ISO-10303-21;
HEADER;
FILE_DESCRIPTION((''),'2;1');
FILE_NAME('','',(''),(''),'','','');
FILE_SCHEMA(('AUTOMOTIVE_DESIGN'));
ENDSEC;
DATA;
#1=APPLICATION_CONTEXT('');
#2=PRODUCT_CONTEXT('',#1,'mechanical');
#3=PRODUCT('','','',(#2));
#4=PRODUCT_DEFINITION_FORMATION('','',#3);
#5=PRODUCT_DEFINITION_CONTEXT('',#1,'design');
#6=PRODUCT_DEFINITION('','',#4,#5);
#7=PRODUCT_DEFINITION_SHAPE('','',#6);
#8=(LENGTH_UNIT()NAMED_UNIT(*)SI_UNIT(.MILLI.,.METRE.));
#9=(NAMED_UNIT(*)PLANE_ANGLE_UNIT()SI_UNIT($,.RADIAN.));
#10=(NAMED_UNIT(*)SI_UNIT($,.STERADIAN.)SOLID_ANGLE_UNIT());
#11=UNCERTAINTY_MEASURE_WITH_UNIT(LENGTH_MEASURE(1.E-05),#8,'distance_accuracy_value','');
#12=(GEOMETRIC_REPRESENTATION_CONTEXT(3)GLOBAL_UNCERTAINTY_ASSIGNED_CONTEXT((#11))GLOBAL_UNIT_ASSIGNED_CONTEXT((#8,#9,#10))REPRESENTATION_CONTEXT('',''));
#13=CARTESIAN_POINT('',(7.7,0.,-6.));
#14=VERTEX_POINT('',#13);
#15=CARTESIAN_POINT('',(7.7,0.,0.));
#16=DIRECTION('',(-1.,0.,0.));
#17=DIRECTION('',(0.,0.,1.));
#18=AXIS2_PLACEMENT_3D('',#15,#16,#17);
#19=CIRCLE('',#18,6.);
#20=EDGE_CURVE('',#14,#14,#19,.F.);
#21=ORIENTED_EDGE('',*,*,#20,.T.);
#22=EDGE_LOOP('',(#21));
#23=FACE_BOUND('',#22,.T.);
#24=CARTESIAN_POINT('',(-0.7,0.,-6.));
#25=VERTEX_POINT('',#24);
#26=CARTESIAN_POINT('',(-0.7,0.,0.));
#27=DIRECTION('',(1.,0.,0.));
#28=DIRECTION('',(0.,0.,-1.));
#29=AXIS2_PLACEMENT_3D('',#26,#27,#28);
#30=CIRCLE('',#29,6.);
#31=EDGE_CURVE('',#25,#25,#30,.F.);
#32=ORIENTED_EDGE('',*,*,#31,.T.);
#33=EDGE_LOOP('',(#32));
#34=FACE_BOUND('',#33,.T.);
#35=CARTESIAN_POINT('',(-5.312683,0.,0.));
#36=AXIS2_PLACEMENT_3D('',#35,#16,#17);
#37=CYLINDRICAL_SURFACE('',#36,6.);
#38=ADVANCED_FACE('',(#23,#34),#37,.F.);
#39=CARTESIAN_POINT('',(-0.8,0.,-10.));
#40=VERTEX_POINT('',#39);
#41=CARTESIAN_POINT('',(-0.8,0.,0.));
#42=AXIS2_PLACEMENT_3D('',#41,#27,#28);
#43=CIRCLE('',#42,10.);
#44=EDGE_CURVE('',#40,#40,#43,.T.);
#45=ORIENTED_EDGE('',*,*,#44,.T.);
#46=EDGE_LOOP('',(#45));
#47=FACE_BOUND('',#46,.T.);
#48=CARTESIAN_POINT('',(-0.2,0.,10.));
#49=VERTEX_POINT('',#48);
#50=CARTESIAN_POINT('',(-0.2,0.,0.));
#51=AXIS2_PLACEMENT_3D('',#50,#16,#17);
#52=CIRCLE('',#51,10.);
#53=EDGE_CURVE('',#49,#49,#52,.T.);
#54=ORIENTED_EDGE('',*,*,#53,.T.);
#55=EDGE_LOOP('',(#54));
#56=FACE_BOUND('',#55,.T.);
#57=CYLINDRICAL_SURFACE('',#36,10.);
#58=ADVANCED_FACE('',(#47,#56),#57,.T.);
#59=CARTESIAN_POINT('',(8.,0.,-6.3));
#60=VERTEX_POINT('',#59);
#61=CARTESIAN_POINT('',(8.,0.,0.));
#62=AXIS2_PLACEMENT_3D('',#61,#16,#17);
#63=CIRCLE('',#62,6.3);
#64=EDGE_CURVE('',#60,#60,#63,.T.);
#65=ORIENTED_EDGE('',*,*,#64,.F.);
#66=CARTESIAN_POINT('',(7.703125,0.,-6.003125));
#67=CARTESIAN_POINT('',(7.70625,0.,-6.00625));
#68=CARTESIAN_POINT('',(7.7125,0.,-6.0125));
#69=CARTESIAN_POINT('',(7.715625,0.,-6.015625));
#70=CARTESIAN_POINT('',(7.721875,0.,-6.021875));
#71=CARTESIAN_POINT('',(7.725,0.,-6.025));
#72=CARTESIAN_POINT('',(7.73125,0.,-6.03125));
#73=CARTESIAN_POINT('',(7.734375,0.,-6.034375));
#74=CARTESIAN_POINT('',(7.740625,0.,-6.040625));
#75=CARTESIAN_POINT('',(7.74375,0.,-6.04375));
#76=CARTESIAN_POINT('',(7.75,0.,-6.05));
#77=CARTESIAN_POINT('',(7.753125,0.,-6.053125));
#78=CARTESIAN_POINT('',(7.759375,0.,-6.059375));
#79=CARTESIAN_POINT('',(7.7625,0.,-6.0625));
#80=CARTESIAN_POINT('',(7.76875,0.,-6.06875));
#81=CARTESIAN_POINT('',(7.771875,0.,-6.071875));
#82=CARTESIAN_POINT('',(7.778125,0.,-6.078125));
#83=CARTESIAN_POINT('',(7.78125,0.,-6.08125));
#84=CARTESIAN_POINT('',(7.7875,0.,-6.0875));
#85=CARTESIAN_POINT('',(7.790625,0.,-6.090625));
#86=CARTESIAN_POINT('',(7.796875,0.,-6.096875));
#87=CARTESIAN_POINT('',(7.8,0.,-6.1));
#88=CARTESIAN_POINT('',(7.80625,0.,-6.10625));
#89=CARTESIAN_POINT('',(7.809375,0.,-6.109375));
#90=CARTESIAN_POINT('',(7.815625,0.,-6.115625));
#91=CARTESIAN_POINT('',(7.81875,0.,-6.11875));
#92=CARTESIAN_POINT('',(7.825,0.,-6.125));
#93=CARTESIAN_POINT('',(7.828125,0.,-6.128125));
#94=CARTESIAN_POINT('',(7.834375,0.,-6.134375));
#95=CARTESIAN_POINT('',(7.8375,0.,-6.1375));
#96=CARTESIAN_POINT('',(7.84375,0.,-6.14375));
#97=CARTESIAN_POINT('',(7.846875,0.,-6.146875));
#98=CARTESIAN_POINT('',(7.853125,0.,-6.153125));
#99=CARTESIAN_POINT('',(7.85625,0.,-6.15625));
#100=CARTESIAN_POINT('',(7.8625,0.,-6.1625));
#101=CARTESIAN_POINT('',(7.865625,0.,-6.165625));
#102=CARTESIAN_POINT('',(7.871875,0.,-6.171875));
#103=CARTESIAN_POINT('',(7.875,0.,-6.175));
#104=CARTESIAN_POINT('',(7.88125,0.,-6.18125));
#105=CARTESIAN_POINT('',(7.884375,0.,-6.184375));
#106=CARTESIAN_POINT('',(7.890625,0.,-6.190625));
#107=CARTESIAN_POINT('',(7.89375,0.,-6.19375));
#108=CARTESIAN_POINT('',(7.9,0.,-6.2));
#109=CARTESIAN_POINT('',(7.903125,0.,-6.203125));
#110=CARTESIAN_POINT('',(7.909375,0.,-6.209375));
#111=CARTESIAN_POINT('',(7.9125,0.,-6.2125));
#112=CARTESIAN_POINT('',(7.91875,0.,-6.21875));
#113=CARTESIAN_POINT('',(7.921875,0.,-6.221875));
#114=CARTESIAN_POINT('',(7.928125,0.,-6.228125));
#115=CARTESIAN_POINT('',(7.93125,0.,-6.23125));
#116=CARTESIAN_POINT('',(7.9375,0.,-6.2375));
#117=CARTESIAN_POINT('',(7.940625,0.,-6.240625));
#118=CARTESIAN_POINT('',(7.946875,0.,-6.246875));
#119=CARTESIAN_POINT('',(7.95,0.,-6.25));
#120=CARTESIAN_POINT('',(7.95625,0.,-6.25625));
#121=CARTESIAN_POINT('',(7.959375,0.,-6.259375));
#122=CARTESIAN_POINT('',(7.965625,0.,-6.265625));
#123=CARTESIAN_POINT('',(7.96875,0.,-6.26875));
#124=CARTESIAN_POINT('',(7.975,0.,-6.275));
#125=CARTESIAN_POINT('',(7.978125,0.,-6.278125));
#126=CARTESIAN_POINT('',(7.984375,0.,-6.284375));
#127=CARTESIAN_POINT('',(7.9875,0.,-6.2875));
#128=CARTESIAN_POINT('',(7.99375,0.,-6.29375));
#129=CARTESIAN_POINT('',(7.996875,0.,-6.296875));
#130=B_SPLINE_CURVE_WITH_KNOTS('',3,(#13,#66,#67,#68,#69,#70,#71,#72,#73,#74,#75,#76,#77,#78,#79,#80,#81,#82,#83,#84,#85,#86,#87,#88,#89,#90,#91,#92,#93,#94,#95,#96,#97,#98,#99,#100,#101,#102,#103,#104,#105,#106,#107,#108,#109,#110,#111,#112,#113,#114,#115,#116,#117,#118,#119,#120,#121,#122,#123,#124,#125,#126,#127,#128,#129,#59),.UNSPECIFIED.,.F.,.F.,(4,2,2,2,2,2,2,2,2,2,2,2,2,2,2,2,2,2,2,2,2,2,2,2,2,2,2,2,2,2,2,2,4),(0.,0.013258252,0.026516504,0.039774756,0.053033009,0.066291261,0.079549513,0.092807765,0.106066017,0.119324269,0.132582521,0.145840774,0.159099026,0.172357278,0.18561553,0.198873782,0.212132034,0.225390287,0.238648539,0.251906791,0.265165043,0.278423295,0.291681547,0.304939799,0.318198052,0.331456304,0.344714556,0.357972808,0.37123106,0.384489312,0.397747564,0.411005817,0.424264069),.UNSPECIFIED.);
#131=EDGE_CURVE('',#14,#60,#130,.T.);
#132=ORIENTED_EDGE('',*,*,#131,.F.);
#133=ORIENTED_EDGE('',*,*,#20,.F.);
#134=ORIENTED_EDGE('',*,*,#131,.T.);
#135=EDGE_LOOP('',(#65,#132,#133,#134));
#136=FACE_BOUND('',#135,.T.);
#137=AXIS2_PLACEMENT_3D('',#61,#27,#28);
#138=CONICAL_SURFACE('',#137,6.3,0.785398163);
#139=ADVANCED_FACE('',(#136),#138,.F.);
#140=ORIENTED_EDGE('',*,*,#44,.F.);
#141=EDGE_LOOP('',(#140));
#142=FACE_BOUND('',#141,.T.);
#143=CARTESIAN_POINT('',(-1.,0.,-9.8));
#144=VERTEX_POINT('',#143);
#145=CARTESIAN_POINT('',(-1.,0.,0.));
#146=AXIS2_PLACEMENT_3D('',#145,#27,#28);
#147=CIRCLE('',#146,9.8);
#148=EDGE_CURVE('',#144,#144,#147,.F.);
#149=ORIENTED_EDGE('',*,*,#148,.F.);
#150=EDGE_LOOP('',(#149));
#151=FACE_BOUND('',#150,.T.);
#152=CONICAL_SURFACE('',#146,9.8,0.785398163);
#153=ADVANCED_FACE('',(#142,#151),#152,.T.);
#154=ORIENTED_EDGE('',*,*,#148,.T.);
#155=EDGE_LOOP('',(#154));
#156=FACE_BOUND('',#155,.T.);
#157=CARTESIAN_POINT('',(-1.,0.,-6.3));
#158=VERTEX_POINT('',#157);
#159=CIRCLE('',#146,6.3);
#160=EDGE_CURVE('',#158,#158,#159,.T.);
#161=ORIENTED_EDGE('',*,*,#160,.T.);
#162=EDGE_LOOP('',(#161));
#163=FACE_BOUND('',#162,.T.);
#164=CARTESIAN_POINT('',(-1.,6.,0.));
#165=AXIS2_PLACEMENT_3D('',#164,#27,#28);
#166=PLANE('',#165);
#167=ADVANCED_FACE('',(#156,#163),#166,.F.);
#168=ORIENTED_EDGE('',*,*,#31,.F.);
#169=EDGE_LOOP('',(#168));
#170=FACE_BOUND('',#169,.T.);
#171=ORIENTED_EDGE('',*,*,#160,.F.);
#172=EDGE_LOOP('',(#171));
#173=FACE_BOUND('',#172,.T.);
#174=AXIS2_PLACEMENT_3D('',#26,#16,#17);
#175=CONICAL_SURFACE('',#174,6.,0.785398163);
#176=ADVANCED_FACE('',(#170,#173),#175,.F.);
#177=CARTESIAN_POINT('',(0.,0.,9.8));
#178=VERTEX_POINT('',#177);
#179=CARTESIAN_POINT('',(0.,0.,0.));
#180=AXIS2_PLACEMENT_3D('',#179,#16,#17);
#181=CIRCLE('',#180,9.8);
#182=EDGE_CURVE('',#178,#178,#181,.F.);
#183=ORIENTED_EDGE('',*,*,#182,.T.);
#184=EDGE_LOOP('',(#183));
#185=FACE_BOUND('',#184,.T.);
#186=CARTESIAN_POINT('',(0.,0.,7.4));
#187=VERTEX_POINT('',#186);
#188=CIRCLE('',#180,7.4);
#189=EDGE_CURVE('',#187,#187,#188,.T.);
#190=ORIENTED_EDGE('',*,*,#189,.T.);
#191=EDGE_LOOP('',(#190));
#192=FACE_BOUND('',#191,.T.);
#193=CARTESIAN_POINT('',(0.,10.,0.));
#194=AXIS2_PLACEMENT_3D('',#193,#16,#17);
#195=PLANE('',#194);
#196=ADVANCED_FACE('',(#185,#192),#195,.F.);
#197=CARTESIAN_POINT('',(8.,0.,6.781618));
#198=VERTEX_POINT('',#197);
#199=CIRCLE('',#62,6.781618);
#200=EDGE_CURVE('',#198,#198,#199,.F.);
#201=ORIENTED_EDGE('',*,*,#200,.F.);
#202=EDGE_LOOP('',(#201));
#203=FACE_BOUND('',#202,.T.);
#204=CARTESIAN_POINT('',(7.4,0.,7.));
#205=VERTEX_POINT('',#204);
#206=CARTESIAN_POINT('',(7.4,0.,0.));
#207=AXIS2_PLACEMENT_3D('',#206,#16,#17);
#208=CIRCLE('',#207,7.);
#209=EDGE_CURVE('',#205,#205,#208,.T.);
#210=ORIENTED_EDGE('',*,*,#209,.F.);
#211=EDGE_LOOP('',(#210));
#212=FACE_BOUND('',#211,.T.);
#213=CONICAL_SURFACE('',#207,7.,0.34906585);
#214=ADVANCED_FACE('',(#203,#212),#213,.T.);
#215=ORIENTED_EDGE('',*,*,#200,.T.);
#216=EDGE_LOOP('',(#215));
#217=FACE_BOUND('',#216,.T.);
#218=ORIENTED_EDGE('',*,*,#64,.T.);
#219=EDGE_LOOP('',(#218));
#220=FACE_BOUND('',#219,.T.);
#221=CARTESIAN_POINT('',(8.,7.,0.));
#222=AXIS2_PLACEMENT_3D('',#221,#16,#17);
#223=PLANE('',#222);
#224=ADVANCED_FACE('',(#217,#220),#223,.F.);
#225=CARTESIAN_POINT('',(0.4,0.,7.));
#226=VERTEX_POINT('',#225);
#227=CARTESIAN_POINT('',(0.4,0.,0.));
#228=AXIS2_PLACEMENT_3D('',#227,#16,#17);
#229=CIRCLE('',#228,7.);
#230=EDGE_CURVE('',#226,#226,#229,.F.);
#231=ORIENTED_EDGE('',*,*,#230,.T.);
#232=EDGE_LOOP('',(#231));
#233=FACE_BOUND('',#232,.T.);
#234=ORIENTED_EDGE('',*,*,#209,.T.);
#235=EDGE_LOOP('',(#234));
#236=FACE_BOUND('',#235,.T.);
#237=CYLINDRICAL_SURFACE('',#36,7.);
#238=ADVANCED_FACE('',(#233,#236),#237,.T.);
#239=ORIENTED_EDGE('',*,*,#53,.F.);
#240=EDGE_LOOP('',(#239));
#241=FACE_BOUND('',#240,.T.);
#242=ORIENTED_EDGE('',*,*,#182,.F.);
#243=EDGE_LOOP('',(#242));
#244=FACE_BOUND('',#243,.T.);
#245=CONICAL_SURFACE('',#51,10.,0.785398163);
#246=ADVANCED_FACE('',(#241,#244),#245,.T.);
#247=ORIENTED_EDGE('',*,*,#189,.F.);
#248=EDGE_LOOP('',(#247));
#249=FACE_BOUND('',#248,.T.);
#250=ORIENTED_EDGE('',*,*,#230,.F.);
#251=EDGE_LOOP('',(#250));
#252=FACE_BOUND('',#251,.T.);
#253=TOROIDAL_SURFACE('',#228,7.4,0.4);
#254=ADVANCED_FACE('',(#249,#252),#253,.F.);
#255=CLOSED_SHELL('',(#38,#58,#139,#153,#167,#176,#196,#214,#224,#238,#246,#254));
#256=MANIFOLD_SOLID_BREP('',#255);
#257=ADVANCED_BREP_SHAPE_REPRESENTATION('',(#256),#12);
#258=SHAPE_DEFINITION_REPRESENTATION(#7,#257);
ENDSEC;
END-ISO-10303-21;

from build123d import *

# Parameters (mm, degrees)
CHANFREIN2_SIZE  = 0.6
CHANFREIN2_SIZE2 = 0.218382141
CHANFREIN3_SIZE  = 0.3
CHANFREIN4_SIZE  = 0.2
CONG_1_R         = 0.4


with BuildPart() as part:
    # Esquisse1 → Base-Révolution (revolve)
    with BuildSketch(Plane.XY, mode=Mode.PRIVATE) as base_r_volution_sk:
        Polygon((-1, 6), (-1, 10), (0, 10), (0, 7), (8, 7), (8, 6), align=None)
    revolve(base_r_volution_sk.sketch.rotate(Axis((-5.312682662, 0, 0), (1, 0, 0)), 90), axis=Axis((-5.312682662, 0, 0), (1, 0, 0)))

    # Chanfrein2
    chanfrein2_edges = [part.edges().sort_by_distance(p)[0] for p in [
        (8, 0, -7),
    ]]
    chanfrein2_side = [part.faces().sort_by_distance(p)[0] for p in [
        (4, 0, -7),
    ]]
    chamfer(chanfrein2_edges, length=CHANFREIN2_SIZE, length2=CHANFREIN2_SIZE2, reference=chanfrein2_side[0])

    # Chanfrein3
    chanfrein3_edges = [part.edges().sort_by_distance(p)[0] for p in [
        (-1, 0, -6),
        (8, 0, -6),
    ]]
    chamfer(chanfrein3_edges, length=CHANFREIN3_SIZE)

    # Chanfrein4
    chanfrein4_edges = [part.edges().sort_by_distance(p)[0] for p in [
        (0, 0, -10),
        (-1, 0, -10),
    ]]
    chamfer(chanfrein4_edges, length=CHANFREIN4_SIZE)

    # Congé1
    cong_1_edges = [part.edges().sort_by_distance(p)[0] for p in [
        (0, 0, -7),
    ]]
    fillet(cong_1_edges, radius=CONG_1_R)


solid = part.part
